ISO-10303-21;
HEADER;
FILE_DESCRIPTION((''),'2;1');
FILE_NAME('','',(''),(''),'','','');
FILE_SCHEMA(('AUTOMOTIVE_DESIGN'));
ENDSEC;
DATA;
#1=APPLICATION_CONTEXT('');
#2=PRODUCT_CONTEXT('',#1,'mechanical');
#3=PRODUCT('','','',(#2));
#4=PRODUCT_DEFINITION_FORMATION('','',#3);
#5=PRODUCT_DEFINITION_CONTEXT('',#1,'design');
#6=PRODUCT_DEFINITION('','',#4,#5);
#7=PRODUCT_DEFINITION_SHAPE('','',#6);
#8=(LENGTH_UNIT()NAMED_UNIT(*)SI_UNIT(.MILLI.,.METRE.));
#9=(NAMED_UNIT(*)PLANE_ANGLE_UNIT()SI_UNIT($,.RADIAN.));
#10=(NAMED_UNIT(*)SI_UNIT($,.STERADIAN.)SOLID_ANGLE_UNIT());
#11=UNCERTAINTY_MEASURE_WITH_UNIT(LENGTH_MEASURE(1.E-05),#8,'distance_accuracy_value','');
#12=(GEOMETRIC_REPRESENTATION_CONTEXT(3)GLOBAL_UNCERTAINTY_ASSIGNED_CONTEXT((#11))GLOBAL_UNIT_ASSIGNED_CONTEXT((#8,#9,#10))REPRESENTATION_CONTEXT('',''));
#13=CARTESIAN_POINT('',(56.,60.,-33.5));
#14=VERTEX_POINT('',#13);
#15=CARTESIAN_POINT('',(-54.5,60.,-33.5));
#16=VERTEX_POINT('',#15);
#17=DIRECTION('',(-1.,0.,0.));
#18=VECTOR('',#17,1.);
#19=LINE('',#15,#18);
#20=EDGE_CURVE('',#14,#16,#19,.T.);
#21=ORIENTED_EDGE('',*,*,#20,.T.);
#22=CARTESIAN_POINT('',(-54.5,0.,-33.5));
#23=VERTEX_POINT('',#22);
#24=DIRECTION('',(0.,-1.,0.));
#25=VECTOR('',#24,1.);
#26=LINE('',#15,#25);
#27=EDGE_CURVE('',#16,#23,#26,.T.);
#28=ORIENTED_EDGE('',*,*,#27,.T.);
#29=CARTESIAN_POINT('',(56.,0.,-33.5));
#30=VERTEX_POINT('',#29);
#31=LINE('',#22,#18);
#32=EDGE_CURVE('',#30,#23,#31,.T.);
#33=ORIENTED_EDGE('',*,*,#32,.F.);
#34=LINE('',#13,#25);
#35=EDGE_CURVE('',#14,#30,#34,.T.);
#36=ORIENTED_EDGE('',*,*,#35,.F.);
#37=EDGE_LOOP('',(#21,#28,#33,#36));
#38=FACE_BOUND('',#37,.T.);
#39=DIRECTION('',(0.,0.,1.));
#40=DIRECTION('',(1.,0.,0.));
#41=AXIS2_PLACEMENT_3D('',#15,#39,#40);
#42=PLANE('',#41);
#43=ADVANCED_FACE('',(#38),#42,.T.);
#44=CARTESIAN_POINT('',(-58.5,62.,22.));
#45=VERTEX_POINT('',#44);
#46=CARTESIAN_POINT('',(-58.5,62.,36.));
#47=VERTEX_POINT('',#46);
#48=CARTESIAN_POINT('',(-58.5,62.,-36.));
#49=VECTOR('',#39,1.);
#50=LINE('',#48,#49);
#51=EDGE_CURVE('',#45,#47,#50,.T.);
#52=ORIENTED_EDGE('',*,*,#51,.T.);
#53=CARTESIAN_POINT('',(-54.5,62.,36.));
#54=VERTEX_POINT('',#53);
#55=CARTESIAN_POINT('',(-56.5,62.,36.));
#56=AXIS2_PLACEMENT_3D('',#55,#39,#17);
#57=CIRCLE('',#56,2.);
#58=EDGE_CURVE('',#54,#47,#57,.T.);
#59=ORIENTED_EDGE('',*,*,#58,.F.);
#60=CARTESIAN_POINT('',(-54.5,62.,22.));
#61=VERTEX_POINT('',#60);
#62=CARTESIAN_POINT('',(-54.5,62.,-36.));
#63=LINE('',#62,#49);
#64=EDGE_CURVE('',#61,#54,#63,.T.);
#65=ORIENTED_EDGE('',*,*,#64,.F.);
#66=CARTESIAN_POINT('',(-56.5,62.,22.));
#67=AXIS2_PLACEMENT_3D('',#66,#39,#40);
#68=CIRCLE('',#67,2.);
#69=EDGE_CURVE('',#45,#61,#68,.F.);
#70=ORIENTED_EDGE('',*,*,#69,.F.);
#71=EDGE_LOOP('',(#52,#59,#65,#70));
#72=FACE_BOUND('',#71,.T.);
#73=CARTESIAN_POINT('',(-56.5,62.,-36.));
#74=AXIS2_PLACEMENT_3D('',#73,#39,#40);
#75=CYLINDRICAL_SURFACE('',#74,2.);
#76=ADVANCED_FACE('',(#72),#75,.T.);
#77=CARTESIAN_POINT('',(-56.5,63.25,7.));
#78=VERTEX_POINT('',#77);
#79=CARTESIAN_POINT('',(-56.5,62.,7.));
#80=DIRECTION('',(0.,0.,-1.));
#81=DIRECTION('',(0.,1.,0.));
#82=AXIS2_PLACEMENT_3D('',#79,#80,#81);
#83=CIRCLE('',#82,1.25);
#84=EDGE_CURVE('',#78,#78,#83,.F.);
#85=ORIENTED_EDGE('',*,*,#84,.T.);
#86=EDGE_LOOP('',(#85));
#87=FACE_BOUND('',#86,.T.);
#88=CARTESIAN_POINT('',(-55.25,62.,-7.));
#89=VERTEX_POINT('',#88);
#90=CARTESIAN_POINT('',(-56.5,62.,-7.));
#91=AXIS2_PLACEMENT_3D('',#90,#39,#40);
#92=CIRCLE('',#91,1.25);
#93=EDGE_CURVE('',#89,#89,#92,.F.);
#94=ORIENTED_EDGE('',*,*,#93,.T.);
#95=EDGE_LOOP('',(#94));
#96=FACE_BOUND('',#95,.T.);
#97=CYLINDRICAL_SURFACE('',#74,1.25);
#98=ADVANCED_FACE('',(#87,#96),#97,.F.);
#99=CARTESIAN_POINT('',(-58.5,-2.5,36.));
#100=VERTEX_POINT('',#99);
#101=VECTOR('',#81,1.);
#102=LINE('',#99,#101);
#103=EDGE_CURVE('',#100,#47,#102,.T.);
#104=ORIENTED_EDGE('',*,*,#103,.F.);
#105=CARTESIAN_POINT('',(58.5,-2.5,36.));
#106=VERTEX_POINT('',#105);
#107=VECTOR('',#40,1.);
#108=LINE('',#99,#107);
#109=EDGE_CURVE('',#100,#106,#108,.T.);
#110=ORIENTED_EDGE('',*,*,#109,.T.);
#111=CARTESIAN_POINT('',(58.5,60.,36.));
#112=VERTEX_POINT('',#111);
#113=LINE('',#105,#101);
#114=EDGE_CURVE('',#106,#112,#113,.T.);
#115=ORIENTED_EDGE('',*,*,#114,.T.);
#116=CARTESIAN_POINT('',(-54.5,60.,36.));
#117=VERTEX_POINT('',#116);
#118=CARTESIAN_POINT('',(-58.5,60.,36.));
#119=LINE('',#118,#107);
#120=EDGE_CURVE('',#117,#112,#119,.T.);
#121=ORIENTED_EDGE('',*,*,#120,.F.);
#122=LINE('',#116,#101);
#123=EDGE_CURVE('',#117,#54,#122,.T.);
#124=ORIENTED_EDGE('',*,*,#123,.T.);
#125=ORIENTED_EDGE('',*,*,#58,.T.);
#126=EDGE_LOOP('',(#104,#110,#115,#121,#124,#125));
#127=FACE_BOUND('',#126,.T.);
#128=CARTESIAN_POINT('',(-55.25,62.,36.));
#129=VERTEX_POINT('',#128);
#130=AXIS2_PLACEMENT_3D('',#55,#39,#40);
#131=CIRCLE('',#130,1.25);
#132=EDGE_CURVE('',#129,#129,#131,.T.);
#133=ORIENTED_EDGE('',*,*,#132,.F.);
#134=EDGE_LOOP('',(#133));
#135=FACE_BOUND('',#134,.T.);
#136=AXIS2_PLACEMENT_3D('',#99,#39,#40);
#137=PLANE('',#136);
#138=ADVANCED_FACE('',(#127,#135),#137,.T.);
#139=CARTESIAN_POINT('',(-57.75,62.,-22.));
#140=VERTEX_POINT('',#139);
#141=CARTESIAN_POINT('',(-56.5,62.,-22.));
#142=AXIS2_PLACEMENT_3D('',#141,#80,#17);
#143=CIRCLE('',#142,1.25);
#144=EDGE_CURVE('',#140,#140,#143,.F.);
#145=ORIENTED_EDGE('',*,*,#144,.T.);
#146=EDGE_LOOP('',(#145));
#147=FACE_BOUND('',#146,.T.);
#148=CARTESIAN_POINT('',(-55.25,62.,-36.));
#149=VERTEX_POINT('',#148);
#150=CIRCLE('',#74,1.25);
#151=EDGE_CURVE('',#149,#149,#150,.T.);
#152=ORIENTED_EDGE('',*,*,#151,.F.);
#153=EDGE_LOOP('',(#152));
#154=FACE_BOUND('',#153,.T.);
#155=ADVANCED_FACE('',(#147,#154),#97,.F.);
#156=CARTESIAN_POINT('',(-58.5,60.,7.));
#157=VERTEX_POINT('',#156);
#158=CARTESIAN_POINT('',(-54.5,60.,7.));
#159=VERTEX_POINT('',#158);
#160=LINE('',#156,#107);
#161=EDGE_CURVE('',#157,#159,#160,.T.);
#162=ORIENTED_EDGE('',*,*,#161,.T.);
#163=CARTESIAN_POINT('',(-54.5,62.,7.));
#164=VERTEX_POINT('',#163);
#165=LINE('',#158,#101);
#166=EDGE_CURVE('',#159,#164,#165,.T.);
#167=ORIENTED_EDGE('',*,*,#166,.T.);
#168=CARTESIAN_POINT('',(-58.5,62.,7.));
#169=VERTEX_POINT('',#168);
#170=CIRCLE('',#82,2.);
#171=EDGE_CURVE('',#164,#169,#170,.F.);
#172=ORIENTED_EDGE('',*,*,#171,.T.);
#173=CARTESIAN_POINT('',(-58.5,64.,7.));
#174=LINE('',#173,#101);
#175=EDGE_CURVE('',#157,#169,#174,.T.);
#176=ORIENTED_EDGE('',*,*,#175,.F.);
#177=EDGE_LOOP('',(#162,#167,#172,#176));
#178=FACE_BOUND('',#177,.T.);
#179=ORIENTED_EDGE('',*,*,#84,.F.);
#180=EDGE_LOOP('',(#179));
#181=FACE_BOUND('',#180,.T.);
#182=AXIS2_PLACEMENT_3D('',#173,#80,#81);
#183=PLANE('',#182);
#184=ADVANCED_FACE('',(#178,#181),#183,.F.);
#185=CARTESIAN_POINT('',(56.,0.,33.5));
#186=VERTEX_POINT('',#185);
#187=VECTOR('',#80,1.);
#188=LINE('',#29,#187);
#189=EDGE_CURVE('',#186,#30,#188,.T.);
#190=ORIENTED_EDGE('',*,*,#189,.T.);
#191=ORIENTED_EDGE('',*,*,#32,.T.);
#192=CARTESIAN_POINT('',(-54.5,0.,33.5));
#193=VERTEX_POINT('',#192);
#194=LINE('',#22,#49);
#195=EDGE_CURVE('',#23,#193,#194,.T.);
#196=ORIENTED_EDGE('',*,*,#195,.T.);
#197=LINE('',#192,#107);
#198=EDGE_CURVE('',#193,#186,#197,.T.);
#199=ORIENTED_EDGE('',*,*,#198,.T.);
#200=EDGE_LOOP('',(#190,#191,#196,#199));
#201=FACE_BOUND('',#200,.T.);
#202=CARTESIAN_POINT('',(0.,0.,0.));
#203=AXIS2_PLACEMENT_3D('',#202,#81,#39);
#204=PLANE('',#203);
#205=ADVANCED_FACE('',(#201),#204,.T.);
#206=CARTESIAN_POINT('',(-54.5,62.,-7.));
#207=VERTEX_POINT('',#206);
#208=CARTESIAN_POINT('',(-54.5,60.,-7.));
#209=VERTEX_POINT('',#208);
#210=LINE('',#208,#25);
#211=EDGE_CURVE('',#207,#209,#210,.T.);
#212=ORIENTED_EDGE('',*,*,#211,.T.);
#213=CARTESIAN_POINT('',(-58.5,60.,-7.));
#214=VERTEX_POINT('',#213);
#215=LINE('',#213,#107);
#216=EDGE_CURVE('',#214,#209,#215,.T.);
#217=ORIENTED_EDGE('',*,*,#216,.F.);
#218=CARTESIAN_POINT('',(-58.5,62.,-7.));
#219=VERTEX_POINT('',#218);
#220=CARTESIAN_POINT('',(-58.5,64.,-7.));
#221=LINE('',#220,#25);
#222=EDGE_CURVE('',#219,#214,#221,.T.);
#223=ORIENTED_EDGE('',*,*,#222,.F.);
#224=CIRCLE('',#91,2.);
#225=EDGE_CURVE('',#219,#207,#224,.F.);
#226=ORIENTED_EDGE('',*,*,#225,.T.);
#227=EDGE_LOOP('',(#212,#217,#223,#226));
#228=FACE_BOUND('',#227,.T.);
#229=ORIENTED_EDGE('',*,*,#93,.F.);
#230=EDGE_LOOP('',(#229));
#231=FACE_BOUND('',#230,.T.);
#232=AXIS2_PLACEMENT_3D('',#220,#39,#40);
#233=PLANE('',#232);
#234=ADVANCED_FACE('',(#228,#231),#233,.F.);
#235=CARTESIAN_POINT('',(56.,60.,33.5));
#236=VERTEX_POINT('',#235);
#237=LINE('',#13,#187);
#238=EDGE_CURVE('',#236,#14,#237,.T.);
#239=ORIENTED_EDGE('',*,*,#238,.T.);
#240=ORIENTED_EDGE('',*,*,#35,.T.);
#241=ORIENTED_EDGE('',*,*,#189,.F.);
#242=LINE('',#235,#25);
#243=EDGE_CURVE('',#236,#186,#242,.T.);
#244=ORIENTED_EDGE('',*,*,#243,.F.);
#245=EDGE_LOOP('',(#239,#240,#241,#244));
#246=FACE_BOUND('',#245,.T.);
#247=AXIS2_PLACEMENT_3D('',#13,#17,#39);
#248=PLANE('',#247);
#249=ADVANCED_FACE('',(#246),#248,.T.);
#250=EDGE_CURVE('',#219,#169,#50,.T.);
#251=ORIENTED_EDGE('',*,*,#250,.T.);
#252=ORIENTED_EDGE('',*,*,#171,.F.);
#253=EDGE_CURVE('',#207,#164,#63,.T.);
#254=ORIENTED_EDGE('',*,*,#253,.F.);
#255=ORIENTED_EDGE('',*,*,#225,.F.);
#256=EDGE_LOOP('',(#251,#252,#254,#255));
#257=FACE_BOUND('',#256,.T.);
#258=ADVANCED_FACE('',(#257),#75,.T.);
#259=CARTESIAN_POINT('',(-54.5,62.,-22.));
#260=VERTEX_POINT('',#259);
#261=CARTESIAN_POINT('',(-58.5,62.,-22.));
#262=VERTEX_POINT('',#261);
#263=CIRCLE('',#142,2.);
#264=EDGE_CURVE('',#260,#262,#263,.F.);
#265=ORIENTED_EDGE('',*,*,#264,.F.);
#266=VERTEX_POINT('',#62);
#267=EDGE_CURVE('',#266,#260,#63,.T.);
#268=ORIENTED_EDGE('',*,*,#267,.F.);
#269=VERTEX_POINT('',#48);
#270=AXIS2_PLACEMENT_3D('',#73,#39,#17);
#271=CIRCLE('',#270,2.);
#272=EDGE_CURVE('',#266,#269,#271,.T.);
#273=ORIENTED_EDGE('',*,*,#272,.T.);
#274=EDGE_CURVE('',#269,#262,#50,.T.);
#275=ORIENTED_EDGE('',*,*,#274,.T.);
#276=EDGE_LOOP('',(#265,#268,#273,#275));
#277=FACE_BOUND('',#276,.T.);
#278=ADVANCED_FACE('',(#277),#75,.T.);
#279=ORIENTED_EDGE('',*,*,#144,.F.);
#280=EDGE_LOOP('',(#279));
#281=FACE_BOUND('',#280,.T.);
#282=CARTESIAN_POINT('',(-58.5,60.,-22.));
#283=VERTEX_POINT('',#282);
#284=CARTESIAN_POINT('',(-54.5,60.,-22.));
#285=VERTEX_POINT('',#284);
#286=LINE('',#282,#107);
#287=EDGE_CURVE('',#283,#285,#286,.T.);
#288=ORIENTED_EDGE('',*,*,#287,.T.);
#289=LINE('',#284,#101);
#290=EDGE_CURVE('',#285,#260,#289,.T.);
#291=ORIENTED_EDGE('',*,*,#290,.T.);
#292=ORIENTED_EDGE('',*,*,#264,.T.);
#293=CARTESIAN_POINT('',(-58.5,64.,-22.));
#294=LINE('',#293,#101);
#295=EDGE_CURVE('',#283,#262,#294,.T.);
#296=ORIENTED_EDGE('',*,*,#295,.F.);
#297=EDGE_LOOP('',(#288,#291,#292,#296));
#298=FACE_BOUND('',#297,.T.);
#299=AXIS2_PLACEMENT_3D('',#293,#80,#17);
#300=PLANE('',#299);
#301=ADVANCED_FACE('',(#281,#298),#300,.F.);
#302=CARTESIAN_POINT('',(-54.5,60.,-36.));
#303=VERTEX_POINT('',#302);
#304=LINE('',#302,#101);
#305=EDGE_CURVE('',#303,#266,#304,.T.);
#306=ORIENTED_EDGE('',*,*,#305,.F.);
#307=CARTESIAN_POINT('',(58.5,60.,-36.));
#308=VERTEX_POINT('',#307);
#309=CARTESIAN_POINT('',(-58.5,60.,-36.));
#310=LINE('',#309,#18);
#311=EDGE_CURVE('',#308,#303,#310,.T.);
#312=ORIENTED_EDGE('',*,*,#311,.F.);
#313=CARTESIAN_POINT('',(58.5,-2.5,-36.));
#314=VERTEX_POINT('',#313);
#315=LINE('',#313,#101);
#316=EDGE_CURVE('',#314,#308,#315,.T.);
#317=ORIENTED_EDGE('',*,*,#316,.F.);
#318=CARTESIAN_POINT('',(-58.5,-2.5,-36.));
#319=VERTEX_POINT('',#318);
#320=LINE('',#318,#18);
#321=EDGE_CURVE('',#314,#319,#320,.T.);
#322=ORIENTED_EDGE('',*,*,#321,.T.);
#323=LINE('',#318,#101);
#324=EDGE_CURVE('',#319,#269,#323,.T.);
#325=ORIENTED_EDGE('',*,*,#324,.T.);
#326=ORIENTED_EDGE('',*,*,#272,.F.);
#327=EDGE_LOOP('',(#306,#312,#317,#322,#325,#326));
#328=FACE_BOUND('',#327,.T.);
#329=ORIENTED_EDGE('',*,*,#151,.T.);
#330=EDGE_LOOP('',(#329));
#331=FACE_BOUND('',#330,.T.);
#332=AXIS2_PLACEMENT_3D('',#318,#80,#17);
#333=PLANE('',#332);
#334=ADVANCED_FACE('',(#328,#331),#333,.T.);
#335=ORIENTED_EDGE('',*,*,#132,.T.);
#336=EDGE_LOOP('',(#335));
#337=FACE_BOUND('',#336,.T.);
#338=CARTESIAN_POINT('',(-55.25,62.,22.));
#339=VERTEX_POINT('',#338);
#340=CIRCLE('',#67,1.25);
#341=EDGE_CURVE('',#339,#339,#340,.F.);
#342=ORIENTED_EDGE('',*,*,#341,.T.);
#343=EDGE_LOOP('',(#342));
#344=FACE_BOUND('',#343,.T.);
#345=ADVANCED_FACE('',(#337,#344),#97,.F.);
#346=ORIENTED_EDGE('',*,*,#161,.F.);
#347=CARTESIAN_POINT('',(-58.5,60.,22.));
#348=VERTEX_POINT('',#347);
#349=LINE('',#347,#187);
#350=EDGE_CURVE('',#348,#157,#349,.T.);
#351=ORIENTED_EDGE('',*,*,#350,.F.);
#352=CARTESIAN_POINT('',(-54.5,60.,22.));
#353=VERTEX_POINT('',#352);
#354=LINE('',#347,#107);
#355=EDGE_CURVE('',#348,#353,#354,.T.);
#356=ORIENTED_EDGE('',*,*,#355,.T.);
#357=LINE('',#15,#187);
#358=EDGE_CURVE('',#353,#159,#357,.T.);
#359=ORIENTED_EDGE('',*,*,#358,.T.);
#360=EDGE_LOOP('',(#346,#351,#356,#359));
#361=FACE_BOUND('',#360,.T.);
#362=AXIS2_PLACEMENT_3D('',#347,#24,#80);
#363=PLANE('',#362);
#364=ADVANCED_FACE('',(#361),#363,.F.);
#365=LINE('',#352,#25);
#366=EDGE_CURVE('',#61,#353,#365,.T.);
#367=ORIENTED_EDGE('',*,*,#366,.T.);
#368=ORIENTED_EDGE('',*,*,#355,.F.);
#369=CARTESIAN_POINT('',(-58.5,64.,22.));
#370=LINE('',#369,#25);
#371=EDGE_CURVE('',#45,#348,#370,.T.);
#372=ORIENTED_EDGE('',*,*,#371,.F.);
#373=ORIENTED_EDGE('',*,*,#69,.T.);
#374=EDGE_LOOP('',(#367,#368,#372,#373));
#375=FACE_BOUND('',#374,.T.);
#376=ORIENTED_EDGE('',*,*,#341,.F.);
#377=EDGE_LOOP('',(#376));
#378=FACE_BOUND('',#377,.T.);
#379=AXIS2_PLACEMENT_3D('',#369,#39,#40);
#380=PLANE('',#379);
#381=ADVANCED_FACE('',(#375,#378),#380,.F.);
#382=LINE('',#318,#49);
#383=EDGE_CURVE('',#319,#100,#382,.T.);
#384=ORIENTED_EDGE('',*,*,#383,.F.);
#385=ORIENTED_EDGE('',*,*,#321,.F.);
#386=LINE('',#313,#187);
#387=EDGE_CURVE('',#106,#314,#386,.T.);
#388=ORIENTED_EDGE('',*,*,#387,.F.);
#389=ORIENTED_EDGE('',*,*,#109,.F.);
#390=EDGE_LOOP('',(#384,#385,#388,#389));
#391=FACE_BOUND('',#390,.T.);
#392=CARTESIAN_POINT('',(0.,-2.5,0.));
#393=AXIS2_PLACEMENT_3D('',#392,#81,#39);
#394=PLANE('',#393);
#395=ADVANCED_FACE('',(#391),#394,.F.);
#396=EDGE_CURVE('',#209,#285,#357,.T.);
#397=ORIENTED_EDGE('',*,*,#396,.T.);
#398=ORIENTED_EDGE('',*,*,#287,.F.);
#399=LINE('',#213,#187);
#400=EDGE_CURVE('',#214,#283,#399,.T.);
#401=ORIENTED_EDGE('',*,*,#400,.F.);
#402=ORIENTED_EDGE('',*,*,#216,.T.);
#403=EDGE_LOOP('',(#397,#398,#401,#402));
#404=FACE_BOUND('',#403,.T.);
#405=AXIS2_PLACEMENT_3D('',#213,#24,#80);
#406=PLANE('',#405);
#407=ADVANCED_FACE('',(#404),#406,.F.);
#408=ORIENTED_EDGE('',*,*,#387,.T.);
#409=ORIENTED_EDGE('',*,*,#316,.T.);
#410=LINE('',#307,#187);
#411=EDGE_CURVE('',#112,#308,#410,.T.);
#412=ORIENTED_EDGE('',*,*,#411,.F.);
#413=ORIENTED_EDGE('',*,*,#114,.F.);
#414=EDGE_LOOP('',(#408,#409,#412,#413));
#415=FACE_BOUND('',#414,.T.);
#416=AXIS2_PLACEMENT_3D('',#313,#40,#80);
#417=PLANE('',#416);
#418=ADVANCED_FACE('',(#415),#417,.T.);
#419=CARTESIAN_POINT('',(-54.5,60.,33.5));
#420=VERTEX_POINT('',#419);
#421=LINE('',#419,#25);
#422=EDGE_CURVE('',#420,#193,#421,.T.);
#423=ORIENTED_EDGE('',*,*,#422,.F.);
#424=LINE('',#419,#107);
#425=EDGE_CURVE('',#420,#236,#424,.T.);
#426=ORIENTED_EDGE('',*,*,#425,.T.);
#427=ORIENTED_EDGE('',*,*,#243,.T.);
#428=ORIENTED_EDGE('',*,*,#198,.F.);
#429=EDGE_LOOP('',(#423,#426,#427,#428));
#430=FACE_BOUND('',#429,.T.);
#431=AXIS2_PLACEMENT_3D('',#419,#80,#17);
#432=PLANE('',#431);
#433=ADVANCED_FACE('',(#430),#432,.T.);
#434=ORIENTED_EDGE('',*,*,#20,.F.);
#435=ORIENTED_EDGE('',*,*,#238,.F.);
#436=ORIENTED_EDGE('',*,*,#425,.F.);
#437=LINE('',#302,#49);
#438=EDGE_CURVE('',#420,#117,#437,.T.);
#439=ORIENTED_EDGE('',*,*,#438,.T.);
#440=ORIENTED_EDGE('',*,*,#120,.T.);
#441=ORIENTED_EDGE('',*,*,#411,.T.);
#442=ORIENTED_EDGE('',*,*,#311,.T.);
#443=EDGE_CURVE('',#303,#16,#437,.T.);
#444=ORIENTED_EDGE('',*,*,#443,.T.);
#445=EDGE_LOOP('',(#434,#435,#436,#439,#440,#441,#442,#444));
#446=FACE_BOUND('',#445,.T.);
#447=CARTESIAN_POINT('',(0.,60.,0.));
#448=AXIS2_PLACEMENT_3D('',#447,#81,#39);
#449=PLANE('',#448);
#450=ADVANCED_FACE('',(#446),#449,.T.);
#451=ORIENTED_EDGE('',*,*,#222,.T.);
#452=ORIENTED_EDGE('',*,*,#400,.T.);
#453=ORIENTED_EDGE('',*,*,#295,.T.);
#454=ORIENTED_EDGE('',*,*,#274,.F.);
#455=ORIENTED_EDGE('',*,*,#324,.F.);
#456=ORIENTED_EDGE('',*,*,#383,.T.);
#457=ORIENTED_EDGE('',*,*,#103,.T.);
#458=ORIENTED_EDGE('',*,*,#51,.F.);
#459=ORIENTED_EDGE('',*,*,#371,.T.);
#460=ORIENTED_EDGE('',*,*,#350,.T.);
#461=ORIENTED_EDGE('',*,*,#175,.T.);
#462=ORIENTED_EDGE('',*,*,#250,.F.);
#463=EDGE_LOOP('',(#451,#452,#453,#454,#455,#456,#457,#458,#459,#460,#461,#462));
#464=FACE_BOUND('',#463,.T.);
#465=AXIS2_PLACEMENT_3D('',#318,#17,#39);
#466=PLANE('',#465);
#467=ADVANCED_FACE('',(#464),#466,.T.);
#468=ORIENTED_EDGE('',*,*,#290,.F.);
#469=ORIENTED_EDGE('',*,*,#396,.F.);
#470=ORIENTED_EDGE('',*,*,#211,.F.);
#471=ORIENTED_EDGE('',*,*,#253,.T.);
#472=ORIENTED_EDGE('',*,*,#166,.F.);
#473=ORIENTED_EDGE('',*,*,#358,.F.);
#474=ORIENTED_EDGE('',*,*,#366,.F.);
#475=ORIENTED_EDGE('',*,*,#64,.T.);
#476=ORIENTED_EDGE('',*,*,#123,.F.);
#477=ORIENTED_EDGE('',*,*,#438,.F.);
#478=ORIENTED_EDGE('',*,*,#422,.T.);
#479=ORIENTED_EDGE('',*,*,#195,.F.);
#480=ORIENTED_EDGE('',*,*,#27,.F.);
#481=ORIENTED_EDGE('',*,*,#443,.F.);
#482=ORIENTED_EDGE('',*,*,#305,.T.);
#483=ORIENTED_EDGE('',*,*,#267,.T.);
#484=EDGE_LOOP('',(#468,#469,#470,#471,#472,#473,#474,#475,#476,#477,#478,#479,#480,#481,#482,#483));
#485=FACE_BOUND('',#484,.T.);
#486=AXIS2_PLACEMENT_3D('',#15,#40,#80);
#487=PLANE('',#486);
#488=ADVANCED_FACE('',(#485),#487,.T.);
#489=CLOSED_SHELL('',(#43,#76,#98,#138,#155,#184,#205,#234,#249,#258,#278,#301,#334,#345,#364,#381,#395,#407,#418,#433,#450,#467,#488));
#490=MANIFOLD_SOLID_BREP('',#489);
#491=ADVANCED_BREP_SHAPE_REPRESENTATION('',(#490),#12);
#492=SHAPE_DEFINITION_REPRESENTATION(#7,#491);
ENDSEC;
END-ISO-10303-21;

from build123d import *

# Parameters (mm, degrees)
SKETCH1_W               = 117
SKETCH1_H               = 72
BOSS_EXTRUDE1_DEPTH     = 2.5
SKETCH2_W               = 117
SKETCH2_H               = 72
SKETCH2_W_2             = 110.5
SKETCH2_H_2             = 67
BOSS_EXTRUDE2_DEPTH     = 60
SKETCH3_R               = 1.25
BOSS_EXTRUDE3_DEPTH     = 36
CUT_EXTRUDE1_DEPTH      = 94.884237229
CUT_EXTRUDE1_DEPTH_BACK = 94.884237229
SKETCH4_W               = 15
SKETCH4_H               = 4


with BuildPart() as part:
    # Sketch1 → Boss-Extrude1 (new body)
    with BuildSketch(Plane(origin=(0, 0, 0), x_dir=(1, 0, 0), z_dir=(0, 1, 0))):
        Rectangle(SKETCH1_W, SKETCH1_H)
    extrude(amount=-BOSS_EXTRUDE1_DEPTH)

    # Sketch2 → Boss-Extrude2 (add)
    with BuildSketch(Plane(origin=(0, 0, 0), x_dir=(1, 0, 0), z_dir=(0, 1, 0))):
        Rectangle(SKETCH2_W, SKETCH2_H)
        with Locations((0.75, 0)):
            Rectangle(SKETCH2_W_2, SKETCH2_H_2, mode=Mode.SUBTRACT)
    extrude(amount=BOSS_EXTRUDE2_DEPTH)

    # Sketch3 → Boss-Extrude3 (add, symmetric)
    with BuildSketch(Plane.XY):
        with BuildLine():
            Line((-58.5, 62), (-58.5, 60))
            Line((-58.5, 60), (-54.5, 60))
            Line((-54.5, 60), (-54.5, 62))
            ThreePointArc((-54.5, 62), (-56.5, 64), (-58.5, 62))
        make_face()
        with Locations((-56.5, 62)):
            Circle(SKETCH3_R, mode=Mode.SUBTRACT)
    extrude(amount=BOSS_EXTRUDE3_DEPTH, both=True)

    # Sketch4 → Cut-Extrude1 (cut, two sides: drawn at the far end of the back side and taken through both)
    with BuildSketch(Plane(origin=(0, 0, 0), x_dir=(0, 0, -1), z_dir=(1, 0, 0)).offset(-CUT_EXTRUDE1_DEPTH_BACK)):
        with Locations((-14.5, 62)):
            Rectangle(SKETCH4_W, SKETCH4_H)
        with Locations((14.5, 62)):
            Rectangle(SKETCH4_W, SKETCH4_H)
    extrude(amount=CUT_EXTRUDE1_DEPTH + CUT_EXTRUDE1_DEPTH_BACK, mode=Mode.SUBTRACT)


solid = part.part
